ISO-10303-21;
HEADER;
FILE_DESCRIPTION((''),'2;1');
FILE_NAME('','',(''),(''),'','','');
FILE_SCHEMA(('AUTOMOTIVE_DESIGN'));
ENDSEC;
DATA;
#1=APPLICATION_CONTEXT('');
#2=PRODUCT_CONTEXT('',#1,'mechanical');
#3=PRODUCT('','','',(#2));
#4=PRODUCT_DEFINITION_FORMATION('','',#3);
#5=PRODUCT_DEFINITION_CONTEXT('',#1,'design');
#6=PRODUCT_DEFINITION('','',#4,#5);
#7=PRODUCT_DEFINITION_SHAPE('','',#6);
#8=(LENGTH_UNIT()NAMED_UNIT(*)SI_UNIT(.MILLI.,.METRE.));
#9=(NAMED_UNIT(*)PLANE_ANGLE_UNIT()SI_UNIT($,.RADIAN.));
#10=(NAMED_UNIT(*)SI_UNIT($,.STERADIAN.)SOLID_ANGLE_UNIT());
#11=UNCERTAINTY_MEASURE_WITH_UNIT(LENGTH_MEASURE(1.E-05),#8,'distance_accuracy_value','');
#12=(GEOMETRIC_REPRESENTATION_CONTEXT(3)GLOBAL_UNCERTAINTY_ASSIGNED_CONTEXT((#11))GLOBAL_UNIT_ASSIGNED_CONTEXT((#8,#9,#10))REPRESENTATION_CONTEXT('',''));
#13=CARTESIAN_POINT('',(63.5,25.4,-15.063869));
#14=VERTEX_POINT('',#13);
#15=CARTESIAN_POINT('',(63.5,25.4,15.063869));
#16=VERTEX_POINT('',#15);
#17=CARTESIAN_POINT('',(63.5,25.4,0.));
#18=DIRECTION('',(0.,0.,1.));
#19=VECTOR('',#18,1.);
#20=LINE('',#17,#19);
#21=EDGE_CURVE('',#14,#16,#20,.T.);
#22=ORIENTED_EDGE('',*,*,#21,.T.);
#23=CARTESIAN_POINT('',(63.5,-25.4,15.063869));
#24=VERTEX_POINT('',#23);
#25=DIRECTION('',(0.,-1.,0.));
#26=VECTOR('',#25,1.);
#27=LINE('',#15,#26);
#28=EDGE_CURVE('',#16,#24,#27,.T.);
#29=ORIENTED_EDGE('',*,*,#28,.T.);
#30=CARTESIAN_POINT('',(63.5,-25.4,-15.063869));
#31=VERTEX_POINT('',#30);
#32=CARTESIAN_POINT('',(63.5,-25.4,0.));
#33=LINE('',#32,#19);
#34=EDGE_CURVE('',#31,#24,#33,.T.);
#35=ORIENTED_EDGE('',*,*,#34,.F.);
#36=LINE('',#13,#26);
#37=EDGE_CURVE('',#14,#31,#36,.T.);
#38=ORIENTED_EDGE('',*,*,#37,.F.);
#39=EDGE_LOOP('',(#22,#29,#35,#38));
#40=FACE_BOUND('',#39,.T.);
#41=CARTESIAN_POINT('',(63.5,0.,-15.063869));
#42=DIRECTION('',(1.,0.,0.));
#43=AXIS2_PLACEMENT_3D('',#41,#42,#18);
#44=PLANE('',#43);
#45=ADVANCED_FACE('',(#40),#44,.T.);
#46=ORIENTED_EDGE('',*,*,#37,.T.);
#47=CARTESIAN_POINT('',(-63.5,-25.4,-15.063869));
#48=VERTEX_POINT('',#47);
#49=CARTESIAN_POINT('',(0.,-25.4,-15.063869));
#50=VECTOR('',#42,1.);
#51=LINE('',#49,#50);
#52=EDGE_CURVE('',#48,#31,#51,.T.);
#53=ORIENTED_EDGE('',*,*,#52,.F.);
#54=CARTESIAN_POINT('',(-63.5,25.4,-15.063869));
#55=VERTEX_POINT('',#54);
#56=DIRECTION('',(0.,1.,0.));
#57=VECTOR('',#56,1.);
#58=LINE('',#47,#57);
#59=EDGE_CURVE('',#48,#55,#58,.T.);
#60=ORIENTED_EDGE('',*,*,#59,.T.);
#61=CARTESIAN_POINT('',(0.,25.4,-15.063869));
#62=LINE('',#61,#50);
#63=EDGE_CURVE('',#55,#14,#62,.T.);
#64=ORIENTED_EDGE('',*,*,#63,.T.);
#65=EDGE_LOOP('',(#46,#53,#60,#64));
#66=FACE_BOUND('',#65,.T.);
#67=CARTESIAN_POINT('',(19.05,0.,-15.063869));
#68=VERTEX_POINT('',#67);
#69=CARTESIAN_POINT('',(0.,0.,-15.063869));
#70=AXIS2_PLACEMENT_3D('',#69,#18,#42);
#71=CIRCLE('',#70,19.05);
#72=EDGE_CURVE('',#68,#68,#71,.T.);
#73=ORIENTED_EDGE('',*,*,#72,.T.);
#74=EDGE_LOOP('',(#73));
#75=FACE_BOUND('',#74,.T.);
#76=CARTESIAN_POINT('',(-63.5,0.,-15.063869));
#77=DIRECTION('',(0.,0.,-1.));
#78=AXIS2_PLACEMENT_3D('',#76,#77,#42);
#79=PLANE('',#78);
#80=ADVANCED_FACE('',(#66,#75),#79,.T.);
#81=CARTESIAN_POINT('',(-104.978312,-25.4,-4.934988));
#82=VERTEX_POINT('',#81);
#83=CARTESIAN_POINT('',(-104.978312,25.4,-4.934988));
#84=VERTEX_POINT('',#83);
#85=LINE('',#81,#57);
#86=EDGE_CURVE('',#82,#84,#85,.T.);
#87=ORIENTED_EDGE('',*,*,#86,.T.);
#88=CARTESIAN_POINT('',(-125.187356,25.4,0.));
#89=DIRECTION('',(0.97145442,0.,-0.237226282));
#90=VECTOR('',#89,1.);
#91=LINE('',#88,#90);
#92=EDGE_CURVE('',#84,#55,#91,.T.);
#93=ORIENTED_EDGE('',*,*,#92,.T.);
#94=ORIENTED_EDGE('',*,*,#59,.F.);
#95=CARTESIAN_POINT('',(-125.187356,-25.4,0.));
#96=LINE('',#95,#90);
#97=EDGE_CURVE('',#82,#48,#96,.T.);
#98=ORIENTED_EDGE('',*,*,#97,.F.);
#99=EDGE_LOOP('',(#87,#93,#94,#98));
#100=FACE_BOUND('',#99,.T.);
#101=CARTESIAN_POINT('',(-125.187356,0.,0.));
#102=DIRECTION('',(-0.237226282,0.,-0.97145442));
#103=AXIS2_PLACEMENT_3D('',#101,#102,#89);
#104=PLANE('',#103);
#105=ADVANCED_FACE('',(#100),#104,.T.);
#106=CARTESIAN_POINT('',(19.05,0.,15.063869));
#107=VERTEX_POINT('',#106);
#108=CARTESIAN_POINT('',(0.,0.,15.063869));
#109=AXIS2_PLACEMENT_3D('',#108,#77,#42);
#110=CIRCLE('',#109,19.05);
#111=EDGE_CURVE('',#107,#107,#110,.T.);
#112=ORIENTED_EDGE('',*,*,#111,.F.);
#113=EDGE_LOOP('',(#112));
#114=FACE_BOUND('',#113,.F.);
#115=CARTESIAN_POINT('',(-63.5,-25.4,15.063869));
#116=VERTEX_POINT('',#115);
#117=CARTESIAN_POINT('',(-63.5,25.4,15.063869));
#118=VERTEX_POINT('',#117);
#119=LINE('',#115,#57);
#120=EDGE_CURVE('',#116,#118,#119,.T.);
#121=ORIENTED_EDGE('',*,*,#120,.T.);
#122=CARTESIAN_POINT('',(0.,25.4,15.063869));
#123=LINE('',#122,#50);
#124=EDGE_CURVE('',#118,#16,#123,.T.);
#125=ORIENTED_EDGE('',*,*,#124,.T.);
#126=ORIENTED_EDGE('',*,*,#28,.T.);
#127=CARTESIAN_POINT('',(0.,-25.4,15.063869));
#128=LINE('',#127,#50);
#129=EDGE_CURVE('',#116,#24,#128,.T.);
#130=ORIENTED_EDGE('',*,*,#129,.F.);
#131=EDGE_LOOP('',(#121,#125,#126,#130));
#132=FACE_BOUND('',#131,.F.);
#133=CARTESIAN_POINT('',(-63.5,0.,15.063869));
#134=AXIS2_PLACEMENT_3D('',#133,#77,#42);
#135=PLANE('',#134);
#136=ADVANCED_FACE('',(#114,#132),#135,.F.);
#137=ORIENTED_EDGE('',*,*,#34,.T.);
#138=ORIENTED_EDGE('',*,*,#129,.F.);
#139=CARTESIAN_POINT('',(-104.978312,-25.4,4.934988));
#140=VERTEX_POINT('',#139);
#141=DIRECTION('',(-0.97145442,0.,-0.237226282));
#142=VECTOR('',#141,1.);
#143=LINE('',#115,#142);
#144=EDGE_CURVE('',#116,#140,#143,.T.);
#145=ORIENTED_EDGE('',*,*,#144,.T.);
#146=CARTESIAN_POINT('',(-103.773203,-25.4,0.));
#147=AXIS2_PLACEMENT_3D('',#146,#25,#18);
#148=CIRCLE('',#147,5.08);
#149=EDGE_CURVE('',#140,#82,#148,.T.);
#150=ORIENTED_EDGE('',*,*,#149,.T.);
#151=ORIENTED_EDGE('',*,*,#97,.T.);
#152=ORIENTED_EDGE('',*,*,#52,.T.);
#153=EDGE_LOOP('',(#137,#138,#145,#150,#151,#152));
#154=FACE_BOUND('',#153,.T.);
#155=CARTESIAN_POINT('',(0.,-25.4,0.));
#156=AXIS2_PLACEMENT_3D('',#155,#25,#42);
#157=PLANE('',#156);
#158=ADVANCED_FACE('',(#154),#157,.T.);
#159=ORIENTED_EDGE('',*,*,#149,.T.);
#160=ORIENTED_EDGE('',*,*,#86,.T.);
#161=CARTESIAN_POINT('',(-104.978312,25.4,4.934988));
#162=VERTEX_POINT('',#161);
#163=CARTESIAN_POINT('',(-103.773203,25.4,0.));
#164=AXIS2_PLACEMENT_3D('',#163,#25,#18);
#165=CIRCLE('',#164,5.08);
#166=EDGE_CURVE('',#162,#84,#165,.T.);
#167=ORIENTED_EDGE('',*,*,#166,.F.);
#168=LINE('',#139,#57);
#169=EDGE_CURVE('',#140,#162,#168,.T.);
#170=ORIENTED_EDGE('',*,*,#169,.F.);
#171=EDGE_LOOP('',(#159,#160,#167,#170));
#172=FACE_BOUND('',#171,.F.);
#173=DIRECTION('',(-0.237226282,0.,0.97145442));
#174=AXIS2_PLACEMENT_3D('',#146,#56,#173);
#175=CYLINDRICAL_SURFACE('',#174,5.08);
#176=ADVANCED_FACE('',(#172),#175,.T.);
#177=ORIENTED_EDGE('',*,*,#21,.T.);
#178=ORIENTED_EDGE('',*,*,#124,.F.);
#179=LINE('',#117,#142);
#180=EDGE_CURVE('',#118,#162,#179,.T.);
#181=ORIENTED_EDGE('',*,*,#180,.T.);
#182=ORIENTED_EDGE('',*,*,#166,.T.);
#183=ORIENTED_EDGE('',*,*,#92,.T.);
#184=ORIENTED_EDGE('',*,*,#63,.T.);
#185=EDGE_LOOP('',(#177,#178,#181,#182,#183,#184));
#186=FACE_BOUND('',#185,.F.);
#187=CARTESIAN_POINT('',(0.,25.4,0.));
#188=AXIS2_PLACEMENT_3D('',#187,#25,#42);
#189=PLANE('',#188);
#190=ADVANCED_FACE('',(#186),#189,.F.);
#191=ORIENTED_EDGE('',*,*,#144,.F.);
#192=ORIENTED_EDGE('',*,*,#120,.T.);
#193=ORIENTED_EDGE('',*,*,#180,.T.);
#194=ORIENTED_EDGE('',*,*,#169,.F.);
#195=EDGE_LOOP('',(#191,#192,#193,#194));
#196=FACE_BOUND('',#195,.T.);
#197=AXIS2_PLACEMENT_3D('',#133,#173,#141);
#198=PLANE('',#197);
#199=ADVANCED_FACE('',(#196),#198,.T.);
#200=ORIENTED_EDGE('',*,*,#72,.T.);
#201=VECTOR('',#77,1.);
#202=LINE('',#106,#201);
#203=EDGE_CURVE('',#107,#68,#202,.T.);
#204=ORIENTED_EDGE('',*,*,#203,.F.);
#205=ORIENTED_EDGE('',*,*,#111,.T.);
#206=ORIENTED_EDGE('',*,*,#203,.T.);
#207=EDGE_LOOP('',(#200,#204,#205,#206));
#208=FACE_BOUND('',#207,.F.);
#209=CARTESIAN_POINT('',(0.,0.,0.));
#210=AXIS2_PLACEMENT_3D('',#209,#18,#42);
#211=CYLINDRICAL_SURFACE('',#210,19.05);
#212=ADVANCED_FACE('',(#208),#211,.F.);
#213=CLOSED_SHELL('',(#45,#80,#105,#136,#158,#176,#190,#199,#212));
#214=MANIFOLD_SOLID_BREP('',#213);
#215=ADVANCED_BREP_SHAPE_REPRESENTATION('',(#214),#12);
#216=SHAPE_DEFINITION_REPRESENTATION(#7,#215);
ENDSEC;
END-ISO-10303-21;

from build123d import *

# Parameters (mm, degrees)
F0_W          = 127
F0_H          = 30.127738
F1_DEPTH      = 25.4
F1_DEPTH_BACK = 25.4
F2_R          = 19.05
F3_DEPTH      = 15.064869
F3_DEPTH_BACK = 15.063869
F4_R          = 5.08


with BuildPart() as f1:
    # F0 (on Front) → F1 (new body, two sides)
    with BuildSketch(Plane.XZ) as f1_sk:
        Rectangle(F0_W, F0_H)
        Polygon((-63.5, -15.063869), (-63.5, 15.063869), (-125.187356, 0), align=None)
    extrude(amount=F1_DEPTH)
    extrude(f1_sk.sketch, amount=-F1_DEPTH_BACK)

    # F2 (on Top) → F3 (cut, two sides)
    with BuildSketch(Plane.XY) as f3_sk:
        Circle(F2_R)
    extrude(amount=F3_DEPTH, mode=Mode.SUBTRACT)
    extrude(f3_sk.sketch, amount=-F3_DEPTH_BACK, mode=Mode.SUBTRACT)

    # F4
    f4_edges = [f1.edges().sort_by_distance(p)[0] for p in [
        (-125.187356, 0, 0),
    ]]
    fillet(f4_edges, radius=F4_R)


solid = f1.part
